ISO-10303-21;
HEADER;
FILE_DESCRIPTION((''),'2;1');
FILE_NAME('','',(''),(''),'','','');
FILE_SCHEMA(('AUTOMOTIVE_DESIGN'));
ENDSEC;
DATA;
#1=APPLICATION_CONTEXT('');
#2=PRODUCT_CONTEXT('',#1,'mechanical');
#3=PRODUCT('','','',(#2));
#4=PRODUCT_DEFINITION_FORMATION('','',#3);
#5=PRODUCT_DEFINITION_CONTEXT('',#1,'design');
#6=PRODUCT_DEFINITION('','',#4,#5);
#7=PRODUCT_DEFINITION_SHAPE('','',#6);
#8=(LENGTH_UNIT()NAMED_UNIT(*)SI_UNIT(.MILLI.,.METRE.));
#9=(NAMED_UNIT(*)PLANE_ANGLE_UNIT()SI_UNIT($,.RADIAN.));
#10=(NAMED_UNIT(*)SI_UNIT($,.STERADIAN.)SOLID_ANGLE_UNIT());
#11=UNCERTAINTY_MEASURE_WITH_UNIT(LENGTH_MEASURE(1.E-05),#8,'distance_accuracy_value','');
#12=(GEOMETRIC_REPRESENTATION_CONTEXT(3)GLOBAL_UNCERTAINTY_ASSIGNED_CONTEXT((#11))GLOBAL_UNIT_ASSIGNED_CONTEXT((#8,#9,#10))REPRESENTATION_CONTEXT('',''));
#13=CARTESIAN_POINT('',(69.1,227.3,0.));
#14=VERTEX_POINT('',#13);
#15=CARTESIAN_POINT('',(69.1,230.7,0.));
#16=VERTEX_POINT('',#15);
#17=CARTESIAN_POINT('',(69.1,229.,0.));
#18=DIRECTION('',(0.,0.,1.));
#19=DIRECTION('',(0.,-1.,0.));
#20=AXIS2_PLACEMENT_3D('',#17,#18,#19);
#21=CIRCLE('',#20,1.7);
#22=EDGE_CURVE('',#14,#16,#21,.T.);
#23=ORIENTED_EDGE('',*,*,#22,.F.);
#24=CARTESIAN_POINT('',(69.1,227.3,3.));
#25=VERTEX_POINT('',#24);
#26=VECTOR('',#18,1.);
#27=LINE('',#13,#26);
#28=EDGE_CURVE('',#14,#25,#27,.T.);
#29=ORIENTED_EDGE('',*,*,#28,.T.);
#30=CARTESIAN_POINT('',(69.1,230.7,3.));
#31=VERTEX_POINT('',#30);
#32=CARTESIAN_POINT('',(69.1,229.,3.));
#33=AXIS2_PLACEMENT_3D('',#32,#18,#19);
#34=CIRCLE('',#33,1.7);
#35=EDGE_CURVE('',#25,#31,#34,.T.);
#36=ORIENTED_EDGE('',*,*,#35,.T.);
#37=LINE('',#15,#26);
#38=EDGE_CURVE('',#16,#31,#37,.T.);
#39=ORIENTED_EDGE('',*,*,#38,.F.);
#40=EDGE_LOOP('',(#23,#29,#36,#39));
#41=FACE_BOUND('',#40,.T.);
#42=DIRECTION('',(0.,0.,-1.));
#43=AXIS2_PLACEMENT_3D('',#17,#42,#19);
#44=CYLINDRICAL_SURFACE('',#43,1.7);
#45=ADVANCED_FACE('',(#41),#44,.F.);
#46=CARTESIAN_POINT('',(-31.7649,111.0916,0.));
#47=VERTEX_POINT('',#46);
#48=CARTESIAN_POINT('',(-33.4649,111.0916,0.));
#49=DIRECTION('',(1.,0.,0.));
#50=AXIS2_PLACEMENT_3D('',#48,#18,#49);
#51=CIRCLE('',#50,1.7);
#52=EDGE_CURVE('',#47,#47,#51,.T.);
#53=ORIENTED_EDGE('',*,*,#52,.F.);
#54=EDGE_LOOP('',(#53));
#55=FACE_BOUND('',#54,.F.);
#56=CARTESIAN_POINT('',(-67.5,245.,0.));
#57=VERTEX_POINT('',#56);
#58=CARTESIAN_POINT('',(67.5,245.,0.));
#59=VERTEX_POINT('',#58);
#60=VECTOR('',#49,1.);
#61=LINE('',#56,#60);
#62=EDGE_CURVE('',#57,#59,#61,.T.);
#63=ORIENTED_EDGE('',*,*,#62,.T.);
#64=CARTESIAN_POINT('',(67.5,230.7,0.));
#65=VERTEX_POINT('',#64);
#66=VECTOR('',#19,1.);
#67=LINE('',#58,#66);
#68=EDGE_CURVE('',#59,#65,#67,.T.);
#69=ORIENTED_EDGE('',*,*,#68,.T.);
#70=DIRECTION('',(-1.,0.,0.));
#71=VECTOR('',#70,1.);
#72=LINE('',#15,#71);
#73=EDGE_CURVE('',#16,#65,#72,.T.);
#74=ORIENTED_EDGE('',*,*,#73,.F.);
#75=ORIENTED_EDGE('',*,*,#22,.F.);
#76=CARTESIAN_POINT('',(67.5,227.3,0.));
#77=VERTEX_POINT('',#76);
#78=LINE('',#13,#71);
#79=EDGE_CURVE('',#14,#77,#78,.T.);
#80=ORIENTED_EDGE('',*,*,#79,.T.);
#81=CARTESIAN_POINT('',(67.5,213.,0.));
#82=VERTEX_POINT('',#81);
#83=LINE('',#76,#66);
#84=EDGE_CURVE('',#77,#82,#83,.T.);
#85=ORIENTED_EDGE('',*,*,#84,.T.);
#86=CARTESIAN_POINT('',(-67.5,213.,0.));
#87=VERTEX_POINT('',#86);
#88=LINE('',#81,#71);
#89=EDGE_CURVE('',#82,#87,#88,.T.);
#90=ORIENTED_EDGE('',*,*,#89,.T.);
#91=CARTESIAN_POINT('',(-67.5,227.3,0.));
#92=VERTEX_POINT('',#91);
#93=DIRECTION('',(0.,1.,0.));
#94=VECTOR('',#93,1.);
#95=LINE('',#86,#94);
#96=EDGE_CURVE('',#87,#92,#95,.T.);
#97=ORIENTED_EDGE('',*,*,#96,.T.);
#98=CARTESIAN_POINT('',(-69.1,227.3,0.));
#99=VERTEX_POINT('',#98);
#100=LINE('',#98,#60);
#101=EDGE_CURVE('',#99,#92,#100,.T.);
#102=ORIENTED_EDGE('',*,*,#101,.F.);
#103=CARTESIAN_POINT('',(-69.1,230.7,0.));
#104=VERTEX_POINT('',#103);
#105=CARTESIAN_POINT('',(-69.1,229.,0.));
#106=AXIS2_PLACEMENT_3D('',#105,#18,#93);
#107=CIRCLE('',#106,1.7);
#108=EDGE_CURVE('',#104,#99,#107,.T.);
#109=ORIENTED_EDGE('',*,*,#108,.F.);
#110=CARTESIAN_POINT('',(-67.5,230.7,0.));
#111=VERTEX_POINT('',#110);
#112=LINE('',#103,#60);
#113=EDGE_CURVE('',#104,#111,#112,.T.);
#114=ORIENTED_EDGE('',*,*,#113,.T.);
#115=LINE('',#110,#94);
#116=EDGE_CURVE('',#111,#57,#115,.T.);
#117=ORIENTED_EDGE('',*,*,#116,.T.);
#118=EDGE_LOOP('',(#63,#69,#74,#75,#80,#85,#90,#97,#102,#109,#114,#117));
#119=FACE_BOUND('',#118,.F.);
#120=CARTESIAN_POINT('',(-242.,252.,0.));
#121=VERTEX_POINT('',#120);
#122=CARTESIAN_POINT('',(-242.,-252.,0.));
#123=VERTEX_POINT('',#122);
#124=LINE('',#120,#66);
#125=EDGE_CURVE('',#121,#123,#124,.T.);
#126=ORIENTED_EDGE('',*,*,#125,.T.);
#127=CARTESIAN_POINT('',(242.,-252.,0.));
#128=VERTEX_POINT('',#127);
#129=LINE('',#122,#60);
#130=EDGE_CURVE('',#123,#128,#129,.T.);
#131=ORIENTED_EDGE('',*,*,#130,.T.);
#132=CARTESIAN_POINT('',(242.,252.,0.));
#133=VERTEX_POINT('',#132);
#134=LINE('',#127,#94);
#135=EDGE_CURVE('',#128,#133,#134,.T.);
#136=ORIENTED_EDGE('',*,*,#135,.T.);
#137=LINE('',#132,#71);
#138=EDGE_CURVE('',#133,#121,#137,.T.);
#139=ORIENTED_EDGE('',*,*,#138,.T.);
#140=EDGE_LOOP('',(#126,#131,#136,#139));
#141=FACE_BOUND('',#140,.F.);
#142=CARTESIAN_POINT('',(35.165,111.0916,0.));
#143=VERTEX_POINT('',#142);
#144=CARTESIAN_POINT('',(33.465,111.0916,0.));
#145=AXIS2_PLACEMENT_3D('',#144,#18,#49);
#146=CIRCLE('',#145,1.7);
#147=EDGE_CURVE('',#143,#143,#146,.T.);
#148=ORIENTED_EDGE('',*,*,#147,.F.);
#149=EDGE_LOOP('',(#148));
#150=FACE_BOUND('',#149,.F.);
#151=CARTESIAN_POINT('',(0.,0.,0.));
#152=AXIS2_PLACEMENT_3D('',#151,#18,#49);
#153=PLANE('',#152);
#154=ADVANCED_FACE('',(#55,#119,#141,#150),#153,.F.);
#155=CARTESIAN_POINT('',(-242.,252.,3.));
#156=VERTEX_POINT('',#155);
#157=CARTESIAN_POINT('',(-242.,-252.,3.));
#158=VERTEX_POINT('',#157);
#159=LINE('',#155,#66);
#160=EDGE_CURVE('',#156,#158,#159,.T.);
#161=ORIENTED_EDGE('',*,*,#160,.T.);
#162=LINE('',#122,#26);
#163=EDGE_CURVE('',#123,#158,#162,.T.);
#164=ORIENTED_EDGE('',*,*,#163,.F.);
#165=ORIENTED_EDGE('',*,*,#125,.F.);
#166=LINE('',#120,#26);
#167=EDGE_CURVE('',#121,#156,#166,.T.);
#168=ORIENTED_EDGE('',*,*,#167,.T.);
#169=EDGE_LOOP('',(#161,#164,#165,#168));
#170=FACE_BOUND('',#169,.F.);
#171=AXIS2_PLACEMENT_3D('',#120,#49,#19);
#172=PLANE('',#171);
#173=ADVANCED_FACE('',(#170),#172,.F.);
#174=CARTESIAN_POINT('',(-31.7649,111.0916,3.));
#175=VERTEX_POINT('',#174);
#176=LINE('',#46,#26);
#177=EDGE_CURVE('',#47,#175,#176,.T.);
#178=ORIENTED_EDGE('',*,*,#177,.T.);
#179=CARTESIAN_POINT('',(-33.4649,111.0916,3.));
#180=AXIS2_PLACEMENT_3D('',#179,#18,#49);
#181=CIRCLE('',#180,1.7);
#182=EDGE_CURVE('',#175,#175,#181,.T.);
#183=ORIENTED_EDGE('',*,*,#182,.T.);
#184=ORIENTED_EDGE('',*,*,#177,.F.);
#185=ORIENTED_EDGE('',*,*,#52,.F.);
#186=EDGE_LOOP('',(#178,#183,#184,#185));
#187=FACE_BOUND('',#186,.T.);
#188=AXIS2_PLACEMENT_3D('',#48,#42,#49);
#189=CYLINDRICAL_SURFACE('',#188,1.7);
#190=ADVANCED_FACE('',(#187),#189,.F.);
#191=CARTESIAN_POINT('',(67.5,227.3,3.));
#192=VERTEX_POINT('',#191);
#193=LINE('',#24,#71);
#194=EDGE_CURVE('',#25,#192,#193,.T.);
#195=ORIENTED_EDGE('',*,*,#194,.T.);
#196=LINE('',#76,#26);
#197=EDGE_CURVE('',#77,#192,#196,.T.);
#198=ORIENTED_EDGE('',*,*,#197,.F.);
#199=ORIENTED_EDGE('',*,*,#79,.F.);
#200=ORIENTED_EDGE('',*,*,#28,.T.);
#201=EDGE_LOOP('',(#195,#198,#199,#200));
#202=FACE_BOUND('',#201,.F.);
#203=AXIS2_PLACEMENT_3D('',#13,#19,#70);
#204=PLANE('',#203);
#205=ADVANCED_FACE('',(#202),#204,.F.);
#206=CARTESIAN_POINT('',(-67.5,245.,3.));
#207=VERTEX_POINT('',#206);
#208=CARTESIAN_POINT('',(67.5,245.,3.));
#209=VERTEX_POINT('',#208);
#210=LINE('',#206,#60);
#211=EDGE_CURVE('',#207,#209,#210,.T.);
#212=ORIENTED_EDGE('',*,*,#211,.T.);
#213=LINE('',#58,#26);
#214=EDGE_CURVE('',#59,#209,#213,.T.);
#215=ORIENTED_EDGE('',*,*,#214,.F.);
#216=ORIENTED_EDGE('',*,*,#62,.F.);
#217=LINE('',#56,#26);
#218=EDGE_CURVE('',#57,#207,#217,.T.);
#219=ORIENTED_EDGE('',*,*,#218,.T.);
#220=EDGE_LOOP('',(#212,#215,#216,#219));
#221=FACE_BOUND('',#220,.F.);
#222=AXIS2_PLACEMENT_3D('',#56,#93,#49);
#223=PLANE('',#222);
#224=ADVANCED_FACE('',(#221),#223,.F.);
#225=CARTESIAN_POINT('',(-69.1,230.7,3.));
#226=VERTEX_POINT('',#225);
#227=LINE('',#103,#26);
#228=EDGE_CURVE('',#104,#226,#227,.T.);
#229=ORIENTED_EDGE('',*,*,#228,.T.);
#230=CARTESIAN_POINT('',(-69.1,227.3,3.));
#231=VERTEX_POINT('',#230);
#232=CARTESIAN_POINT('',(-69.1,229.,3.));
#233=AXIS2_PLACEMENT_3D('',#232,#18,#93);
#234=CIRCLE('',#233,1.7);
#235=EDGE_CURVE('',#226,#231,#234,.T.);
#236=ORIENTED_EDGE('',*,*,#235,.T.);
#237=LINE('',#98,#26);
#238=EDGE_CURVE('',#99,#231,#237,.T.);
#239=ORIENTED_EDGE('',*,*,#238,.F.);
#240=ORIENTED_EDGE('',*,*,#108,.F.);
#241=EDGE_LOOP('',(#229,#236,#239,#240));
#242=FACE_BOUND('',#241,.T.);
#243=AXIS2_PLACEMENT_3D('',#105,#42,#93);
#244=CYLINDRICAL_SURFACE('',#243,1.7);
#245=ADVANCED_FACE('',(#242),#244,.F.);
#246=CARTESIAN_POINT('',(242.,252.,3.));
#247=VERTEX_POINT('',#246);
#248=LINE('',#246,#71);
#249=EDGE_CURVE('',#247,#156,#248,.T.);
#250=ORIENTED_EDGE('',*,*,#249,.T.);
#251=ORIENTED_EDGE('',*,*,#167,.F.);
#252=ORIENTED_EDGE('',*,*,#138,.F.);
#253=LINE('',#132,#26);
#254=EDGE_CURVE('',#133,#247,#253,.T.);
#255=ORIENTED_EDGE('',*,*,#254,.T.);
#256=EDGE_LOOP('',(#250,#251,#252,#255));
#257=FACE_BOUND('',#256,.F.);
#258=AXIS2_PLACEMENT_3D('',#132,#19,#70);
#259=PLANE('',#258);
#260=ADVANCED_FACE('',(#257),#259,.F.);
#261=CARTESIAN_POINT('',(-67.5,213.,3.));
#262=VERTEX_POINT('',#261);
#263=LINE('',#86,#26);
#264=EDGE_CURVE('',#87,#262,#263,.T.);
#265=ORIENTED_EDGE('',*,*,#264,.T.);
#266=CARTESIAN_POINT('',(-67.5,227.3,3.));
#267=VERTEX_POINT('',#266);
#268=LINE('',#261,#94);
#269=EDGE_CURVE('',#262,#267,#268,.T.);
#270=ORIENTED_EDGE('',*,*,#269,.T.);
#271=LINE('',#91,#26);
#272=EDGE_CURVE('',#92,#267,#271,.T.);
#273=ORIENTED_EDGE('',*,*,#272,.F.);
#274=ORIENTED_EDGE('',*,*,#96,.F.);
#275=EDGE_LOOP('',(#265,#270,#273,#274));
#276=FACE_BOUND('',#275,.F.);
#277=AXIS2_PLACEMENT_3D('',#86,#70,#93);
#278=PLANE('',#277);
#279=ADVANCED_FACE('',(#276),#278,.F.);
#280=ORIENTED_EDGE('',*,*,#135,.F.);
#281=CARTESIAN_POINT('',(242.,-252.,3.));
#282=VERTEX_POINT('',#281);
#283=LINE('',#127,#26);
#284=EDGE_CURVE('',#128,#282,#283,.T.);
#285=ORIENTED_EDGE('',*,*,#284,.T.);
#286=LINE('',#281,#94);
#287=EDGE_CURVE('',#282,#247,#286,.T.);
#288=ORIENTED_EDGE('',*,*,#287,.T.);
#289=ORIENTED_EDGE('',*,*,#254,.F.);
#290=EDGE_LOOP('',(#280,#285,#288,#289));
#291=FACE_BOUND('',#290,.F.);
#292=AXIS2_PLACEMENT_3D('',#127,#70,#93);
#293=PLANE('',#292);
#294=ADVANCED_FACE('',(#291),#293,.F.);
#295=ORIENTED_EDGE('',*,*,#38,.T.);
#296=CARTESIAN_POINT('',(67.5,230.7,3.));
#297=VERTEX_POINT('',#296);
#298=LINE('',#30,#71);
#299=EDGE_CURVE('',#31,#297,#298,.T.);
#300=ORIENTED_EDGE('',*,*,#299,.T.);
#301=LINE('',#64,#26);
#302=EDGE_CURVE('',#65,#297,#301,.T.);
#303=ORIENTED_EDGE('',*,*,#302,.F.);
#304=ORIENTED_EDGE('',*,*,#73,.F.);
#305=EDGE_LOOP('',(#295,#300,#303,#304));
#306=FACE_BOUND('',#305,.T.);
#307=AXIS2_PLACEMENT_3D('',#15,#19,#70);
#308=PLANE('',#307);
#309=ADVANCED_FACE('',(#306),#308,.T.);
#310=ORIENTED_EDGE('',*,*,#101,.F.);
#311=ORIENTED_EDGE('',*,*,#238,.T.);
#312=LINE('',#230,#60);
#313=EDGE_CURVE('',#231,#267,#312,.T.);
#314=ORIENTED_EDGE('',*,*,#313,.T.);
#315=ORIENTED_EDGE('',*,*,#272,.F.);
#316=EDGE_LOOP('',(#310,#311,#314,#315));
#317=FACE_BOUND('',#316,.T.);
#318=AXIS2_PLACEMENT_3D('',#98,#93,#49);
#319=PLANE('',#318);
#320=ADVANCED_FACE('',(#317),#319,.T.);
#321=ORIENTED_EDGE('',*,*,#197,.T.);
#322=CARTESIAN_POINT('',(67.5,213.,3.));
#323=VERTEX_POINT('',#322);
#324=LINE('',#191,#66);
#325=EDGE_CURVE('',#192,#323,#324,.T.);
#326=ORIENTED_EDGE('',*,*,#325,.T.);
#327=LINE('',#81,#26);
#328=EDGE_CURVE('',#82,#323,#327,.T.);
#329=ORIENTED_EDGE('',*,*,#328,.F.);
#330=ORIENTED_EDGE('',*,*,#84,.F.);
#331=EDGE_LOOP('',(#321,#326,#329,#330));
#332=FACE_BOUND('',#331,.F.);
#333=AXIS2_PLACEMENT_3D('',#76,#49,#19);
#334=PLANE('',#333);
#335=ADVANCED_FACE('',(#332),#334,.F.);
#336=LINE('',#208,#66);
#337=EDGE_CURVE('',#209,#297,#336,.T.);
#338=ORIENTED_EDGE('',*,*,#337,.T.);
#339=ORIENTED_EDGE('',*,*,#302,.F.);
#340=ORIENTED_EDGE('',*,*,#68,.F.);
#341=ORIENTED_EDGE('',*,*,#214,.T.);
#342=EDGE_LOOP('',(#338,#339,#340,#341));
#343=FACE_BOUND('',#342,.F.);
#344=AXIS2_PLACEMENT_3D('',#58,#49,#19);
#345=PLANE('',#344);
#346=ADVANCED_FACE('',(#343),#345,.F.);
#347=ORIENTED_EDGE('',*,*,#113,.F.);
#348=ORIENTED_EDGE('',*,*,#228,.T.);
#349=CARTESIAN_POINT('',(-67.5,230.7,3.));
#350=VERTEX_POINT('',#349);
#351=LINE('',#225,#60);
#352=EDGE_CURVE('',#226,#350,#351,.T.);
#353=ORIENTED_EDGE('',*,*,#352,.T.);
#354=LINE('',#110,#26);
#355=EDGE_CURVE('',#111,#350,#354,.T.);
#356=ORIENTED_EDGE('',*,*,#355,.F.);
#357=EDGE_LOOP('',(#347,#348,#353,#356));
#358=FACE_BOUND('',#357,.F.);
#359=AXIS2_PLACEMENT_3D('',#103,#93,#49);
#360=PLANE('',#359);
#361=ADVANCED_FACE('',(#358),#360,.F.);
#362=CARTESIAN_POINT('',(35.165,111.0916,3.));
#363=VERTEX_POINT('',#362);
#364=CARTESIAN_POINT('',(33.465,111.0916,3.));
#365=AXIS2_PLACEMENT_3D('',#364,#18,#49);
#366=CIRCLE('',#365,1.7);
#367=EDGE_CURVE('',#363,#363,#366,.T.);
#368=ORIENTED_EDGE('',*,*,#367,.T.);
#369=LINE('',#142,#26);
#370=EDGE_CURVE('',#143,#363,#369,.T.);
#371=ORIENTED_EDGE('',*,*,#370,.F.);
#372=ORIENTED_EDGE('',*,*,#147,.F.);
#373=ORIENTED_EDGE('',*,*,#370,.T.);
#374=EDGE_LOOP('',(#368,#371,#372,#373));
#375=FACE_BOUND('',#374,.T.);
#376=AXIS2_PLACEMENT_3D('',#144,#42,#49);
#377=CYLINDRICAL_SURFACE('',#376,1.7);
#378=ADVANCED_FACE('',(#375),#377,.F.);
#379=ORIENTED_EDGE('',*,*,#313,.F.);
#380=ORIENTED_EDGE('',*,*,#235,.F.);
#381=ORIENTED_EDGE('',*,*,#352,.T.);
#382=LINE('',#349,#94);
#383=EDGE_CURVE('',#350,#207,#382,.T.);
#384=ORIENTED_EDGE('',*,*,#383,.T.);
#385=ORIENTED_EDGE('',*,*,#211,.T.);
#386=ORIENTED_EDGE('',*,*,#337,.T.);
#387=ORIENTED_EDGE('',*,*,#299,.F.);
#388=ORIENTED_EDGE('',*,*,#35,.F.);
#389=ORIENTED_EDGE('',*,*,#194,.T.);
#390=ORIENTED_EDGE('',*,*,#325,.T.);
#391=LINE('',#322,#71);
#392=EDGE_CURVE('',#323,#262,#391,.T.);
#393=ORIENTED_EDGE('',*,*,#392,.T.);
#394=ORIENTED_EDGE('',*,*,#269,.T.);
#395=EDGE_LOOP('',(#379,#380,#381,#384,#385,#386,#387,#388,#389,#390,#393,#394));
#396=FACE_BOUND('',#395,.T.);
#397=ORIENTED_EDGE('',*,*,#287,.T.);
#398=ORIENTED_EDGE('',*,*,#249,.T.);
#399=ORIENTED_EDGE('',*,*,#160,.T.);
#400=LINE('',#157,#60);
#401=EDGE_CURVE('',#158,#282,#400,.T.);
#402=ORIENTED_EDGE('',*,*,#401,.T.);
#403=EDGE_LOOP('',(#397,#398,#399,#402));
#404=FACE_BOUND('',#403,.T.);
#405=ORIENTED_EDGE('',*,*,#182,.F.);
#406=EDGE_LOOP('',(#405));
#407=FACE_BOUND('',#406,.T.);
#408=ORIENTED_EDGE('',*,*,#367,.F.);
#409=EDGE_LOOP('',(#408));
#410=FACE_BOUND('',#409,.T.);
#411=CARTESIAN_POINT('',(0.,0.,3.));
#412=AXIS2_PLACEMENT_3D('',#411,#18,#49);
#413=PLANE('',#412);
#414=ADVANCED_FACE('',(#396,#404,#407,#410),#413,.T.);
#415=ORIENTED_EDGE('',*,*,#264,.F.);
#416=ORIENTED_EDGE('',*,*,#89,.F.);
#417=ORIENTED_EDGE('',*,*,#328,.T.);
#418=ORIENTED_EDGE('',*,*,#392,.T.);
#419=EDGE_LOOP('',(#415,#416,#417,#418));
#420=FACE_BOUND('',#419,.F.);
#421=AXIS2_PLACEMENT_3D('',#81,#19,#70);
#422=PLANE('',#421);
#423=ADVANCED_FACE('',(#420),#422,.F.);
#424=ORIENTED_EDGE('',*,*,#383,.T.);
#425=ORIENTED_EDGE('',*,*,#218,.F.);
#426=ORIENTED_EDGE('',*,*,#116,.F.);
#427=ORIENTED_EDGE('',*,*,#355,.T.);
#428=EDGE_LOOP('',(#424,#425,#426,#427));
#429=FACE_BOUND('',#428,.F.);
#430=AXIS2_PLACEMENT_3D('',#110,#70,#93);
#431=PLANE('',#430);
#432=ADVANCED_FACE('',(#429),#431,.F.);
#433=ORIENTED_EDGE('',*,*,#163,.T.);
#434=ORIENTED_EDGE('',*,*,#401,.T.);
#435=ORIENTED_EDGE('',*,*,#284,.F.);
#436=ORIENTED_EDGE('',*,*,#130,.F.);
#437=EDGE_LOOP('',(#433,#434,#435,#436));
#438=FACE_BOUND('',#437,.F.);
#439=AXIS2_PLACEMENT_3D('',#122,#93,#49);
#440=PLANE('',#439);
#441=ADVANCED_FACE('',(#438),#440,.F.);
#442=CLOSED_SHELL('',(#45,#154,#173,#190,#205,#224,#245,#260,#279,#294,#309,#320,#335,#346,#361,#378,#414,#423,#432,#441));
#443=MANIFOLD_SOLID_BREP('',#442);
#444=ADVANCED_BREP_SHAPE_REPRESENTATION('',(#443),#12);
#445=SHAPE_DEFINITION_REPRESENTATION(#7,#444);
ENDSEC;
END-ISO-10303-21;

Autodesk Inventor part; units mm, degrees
ref_plane "YZ Plane" through (0, 0, 0) normal (1, 0, 0) x (0, 1, 0)
ref_plane "XZ Plane" through (0, 0, 0) normal (0, 1, 0) x (-1, 0, 0)
ref_plane "XY Plane" through (0, 0, 0) normal (0, 0, 1) x (1, 0, 0)
sketch "Skizze1" plane through (0, 0, 0) normal (0, 0, 1) x (1, 0, 0)
  line L0 (-242, -252) -> (242, -252)
  line L1 (242, -252) -> (242, 252)
  line L2 (242, 252) -> (-242, 252)
  line L3 (-242, 252) -> (-242, -252)
  line L4 (-242, -252) -> (242, 252) construction
  line L5 (242, -252) -> (-242, 252) construction
  line L6 (-67.5, 245) -> (67.5, 245)
  line L7 (67.5, 213) -> (-67.5, 213)
  line L8 (0, 245) -> (0, 213) construction
  line L9 (69.1, 229) -> (-69.1, 229) construction
  line L10 (-69.1, 230.7) -> (-67.5, 230.7)
  line L11 (-69.1, 227.3) -> (-67.5, 227.3)
  line L12 (69.1, 230.7) -> (67.5, 230.7)
  line L13 (69.1, 227.3) -> (67.5, 227.3)
  line L14 (67.5, 245) -> (67.5, 230.7)
  line L15 (67.5, 227.3) -> (67.5, 213)
  arc A0 (69.1, 227.3) -> (69.1, 230.7) centre (69.1, 229) ccw
  arc A1 (-69.1, 230.7) -> (-69.1, 227.3) centre (-69.1, 229) ccw
  line L16 (-67.5, 230.7) -> (-67.5, 245)
  line L17 (-67.5, 213) -> (-67.5, 227.3)
  circle A2 centre (-33.4649, 111.0916) radius 1.7
  circle A3 centre (33.465, 111.0916) radius 1.7
  point P0 (0, 0)
  point P1 (0, 252)
  point P2 (0, 229)
  dimension "d0" = 484
  dimension "d1" = 504
  dimension "d6" = 135
  dimension "d7" = 32
  dimension "d8" = 138.2
  dimension "d10" = 3.4
  dimension "d11" = 117.9083
  dimension "d13" = 3.4
  dimension "d15" = 66.9299
  dimension "d16" = 7
extrude "Extrusion1" add sketch "Skizze1" along normal blind 3
properties part number "Panel Back" material "Polycarbonat, klar"
